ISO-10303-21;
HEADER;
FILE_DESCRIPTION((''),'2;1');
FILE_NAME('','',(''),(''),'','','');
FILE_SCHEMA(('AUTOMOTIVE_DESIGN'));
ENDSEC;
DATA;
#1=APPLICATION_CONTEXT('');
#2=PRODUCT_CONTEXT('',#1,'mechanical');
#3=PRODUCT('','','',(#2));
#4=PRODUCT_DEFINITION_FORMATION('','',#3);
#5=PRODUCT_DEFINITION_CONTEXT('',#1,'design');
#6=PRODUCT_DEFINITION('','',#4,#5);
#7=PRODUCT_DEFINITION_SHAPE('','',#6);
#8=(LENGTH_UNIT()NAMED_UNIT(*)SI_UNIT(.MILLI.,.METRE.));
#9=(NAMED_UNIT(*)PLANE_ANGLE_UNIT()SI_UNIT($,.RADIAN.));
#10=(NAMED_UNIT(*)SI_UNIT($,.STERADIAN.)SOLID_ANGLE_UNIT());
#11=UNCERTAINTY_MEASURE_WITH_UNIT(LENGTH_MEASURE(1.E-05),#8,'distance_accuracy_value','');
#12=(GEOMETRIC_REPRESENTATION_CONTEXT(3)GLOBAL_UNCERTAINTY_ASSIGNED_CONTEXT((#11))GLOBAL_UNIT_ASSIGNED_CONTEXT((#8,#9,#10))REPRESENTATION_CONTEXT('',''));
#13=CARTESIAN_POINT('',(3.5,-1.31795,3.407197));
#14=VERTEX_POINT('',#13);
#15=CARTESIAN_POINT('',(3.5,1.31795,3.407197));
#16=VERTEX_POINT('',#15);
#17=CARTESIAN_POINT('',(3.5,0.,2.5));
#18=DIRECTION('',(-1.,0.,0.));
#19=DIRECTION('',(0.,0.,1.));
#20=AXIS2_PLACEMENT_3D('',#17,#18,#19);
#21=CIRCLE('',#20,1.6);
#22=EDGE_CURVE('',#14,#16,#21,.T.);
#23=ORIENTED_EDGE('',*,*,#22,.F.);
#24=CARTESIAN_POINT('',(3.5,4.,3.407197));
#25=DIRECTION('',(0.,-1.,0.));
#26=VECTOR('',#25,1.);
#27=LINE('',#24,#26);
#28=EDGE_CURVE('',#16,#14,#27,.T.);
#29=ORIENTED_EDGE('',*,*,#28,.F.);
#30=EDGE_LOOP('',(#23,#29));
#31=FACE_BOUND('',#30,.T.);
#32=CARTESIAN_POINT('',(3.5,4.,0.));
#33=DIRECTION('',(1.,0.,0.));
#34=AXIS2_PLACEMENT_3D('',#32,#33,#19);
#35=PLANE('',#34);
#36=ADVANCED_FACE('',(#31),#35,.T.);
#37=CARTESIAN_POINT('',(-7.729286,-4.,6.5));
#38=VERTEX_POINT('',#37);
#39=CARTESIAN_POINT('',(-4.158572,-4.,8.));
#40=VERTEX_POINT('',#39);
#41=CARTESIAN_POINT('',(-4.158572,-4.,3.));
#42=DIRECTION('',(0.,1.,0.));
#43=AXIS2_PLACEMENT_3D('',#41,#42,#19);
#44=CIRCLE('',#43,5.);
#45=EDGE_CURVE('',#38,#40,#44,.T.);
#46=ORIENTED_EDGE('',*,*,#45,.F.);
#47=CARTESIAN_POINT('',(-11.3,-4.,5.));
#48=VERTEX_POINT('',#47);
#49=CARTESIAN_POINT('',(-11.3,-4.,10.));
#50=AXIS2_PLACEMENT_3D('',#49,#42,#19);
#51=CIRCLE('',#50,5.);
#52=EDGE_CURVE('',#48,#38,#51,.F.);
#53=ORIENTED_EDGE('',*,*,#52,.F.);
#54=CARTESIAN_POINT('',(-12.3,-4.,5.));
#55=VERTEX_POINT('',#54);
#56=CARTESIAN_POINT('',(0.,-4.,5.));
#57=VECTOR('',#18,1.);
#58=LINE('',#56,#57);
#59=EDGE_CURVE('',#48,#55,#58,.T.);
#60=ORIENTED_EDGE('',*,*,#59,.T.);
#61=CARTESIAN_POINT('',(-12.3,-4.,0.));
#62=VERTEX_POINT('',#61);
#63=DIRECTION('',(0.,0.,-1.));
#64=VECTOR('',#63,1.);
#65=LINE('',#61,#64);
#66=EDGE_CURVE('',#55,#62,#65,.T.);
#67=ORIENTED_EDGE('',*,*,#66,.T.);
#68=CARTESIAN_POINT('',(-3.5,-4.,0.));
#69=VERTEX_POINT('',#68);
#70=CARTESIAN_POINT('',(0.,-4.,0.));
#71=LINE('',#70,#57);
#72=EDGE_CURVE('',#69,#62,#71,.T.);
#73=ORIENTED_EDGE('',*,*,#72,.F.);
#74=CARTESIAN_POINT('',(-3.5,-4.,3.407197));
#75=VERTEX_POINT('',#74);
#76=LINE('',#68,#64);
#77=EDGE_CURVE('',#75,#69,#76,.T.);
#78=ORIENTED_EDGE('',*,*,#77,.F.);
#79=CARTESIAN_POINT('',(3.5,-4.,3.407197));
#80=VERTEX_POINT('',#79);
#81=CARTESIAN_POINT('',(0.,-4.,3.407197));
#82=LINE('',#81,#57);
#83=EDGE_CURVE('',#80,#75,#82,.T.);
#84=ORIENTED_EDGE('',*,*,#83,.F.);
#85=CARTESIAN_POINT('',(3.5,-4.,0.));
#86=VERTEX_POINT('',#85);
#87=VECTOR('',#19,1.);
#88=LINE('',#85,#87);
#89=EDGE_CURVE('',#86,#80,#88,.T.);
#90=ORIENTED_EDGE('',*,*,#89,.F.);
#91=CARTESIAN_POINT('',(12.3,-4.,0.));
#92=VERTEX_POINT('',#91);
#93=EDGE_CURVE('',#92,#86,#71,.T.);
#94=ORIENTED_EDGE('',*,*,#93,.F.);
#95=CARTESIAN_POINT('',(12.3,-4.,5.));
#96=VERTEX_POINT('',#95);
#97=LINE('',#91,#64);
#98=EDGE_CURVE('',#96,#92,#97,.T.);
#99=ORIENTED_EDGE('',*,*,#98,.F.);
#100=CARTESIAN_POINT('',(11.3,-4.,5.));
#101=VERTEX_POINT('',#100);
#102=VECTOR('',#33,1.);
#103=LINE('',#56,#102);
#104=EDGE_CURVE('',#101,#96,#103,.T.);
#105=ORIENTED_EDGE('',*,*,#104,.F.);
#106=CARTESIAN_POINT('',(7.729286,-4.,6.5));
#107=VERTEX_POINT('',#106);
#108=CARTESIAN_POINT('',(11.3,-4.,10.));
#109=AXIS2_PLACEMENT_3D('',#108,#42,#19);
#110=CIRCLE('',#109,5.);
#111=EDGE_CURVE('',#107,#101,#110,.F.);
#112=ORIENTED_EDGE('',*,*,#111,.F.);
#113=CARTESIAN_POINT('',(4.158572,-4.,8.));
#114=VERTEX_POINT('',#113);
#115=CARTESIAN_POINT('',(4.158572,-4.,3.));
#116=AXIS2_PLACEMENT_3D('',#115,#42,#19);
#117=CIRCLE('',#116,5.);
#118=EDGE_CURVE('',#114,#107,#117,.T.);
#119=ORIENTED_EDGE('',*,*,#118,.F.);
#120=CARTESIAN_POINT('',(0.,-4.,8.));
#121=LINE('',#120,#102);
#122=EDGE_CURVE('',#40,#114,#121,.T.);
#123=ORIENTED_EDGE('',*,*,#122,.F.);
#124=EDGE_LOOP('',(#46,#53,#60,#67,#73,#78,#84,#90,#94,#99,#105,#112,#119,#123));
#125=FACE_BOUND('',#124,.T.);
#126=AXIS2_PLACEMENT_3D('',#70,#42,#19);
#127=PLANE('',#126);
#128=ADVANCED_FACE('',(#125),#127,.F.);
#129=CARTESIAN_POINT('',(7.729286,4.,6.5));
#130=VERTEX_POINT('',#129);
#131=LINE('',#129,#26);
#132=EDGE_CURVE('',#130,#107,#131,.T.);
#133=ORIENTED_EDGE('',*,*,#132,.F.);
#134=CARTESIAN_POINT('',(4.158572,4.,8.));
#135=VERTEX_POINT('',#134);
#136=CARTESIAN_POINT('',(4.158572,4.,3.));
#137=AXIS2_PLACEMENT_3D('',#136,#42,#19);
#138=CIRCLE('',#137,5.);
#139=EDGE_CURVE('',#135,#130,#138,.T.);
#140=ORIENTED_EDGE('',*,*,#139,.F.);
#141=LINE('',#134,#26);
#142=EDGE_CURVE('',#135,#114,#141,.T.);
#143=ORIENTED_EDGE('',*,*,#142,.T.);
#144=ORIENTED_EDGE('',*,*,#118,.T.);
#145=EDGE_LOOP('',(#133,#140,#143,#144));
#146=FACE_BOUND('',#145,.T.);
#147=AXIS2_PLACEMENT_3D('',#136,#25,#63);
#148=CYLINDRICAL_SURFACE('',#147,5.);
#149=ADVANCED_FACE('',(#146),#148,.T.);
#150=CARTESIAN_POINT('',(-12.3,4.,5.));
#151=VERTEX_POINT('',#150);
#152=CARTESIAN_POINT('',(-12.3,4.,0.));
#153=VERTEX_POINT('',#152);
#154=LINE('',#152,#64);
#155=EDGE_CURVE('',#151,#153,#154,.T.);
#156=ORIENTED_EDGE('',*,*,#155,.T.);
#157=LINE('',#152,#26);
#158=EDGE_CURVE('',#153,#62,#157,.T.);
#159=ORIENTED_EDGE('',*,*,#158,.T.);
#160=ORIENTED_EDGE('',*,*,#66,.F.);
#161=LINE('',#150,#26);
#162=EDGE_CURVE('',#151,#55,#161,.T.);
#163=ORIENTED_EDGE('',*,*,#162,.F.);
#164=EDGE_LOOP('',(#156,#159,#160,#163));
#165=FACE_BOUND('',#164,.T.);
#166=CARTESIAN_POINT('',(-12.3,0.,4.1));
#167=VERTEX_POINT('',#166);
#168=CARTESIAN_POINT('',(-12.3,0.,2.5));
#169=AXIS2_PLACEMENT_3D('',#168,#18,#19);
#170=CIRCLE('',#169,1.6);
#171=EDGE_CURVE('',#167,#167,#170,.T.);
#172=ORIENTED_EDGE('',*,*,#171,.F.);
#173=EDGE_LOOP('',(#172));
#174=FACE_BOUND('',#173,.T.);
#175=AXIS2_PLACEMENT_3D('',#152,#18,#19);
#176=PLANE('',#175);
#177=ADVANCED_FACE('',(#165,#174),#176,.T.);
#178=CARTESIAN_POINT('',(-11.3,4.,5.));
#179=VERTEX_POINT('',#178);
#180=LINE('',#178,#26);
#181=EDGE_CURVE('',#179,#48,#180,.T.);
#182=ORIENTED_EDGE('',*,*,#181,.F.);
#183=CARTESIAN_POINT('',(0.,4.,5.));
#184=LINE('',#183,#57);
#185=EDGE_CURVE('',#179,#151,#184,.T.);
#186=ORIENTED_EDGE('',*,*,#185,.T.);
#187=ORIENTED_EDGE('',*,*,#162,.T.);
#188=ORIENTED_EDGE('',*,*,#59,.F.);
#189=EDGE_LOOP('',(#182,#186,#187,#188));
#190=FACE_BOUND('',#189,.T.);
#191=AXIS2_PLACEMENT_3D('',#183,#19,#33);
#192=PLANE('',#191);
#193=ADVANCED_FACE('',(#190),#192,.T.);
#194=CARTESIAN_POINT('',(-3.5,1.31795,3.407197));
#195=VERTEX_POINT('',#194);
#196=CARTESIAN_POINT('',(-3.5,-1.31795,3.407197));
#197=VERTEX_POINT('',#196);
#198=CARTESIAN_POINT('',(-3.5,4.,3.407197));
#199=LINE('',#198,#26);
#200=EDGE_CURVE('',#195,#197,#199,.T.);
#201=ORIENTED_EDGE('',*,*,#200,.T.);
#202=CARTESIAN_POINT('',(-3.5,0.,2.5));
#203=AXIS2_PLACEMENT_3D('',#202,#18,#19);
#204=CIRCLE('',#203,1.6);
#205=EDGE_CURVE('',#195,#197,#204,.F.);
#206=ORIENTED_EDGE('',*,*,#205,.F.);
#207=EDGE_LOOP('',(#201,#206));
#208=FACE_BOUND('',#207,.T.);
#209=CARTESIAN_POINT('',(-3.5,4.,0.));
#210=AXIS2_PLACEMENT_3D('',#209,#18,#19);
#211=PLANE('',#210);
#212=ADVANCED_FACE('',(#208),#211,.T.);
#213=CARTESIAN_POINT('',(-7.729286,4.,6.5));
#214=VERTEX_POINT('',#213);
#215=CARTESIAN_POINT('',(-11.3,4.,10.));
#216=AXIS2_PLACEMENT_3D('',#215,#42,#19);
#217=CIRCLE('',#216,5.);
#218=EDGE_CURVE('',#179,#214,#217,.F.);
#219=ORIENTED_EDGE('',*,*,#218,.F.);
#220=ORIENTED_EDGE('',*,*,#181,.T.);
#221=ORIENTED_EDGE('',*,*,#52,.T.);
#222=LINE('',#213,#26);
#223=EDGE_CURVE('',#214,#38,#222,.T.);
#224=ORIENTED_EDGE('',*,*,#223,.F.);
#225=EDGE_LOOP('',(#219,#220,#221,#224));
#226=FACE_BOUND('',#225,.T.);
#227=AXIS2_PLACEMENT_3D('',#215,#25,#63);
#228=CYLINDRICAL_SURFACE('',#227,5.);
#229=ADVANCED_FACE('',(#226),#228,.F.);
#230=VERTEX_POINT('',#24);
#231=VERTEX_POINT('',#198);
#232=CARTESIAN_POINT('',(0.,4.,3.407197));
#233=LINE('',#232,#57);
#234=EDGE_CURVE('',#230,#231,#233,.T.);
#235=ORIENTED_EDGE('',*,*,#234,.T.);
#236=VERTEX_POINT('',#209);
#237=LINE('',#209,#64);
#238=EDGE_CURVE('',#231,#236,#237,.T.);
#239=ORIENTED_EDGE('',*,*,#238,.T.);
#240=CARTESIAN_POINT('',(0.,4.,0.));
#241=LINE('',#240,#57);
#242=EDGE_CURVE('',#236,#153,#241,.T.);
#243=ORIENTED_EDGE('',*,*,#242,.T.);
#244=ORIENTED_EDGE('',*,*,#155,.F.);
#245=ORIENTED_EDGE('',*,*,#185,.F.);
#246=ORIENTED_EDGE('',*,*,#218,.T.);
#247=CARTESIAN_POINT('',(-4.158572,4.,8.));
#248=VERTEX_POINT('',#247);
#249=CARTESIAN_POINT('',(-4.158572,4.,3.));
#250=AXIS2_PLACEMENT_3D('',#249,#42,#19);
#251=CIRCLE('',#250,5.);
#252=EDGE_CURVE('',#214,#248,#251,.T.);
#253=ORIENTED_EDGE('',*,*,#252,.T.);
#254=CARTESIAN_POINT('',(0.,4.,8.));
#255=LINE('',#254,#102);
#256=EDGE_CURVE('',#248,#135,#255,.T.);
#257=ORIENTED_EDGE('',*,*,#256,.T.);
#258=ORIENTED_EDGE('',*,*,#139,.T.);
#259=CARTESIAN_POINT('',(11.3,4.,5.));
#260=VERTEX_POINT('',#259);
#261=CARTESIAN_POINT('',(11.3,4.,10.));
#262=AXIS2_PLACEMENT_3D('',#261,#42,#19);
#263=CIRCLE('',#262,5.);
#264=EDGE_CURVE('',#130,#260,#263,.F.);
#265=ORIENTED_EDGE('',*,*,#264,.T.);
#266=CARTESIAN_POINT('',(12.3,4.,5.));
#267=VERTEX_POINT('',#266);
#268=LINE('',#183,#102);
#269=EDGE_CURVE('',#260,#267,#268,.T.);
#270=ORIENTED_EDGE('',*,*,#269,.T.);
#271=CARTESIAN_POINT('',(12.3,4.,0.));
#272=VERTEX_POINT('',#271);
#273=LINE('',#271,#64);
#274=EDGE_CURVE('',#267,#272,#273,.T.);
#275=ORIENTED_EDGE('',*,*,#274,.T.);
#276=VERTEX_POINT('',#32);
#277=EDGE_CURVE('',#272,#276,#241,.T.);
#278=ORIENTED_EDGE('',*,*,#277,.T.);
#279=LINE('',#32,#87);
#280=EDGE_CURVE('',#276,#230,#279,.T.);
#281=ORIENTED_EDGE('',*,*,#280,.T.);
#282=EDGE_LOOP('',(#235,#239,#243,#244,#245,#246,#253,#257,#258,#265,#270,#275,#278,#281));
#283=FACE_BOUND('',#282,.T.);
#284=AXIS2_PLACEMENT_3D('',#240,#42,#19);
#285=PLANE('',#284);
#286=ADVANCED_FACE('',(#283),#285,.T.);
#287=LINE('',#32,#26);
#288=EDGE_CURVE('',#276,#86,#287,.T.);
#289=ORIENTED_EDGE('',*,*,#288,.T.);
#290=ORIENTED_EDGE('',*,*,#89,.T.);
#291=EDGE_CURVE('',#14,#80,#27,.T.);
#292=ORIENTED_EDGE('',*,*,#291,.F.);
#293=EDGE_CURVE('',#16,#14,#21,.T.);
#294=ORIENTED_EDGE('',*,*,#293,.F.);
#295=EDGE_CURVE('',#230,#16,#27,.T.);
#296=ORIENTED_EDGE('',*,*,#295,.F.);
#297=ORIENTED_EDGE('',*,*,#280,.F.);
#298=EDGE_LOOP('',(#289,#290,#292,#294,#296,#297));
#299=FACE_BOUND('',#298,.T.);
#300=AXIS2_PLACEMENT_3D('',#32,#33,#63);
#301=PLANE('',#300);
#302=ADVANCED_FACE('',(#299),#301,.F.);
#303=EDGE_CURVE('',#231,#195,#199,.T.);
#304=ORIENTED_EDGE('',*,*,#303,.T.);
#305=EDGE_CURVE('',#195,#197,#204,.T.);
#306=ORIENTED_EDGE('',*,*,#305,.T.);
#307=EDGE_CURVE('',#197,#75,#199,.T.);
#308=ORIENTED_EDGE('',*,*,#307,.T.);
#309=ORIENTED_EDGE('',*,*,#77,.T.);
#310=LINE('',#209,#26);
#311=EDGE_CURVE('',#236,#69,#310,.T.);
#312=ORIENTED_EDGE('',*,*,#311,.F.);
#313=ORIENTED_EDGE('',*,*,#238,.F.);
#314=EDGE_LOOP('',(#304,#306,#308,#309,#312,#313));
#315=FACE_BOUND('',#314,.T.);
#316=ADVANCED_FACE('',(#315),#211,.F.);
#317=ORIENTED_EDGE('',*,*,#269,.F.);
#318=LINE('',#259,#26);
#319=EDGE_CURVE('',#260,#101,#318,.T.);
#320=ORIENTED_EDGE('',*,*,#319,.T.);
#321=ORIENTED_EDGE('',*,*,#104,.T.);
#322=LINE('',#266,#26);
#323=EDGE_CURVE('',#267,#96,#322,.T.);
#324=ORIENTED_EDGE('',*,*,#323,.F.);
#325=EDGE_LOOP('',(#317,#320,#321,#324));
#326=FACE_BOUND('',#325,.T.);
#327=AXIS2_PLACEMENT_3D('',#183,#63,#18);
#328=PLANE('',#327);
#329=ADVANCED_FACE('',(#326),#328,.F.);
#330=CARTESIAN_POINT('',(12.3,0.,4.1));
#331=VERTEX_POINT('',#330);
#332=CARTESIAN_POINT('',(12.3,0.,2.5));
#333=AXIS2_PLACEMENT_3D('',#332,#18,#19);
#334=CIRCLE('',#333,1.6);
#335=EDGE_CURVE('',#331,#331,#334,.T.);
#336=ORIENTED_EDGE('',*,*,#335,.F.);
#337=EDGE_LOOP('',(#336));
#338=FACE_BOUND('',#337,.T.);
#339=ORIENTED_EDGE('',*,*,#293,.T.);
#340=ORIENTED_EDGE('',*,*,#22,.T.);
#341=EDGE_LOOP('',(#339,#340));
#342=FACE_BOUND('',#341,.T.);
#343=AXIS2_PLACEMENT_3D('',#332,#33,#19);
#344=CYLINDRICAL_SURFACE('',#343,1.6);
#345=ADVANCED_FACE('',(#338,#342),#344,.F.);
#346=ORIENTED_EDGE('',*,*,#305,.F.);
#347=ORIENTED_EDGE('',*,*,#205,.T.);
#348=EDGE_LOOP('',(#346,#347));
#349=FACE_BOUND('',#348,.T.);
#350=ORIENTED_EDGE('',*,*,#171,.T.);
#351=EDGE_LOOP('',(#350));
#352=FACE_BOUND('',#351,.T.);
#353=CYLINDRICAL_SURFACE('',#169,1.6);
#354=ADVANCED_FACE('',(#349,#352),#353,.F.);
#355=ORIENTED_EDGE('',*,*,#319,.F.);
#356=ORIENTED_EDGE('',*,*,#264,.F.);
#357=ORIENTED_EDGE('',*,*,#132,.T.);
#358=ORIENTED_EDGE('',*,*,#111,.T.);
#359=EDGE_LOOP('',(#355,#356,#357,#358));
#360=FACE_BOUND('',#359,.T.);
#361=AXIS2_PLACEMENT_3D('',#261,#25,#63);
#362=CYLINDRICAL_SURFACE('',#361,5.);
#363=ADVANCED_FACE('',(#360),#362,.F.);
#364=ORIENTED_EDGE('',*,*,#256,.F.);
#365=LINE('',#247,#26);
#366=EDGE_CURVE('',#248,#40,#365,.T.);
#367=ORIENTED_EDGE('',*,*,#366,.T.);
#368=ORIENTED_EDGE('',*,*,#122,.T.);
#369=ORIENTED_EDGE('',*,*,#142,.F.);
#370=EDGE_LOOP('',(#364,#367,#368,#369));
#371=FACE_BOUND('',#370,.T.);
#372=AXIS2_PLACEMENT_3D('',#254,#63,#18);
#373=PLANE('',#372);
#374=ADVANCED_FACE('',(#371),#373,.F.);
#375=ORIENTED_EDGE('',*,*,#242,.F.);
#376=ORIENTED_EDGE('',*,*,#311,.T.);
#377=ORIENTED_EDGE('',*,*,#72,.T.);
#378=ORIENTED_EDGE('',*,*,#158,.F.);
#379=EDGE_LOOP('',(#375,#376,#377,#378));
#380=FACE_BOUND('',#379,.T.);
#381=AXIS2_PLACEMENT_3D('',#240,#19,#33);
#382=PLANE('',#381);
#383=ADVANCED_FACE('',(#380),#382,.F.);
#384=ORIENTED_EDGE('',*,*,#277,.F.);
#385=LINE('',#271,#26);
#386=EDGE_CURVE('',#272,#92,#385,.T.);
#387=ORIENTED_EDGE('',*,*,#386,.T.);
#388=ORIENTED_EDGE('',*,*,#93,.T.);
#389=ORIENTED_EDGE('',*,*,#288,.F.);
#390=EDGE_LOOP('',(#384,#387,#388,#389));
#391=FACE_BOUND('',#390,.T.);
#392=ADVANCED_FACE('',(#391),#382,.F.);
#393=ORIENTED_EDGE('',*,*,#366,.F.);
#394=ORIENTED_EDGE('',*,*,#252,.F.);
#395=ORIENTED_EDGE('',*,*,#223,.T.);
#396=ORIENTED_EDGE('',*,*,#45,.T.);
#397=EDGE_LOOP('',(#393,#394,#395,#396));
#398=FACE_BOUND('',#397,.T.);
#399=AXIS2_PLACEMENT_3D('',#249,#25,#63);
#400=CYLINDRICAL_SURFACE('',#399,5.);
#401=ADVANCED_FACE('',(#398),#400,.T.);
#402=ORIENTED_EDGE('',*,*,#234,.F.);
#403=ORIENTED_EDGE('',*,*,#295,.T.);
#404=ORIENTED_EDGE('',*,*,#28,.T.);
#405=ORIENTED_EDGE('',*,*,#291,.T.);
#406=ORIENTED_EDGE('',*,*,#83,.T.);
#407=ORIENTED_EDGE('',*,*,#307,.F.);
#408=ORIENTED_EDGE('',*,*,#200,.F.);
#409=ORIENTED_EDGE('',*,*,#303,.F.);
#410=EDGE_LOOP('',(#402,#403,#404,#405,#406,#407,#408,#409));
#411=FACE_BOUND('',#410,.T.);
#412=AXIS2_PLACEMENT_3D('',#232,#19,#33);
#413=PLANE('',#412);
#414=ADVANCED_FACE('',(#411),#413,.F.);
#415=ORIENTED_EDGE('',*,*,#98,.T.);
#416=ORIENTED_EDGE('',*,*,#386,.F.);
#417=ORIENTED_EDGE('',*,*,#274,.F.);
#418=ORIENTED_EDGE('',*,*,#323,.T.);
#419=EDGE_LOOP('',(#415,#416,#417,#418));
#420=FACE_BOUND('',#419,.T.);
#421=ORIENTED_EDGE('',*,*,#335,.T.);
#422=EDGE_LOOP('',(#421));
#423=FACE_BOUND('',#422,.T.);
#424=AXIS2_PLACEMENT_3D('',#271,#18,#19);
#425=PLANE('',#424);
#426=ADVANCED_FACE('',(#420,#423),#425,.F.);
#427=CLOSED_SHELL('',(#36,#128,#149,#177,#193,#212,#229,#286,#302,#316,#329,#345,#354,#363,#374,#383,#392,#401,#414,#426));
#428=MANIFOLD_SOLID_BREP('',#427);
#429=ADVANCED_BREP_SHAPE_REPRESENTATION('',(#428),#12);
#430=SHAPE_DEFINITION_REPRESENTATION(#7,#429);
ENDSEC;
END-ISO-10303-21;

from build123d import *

# Parameters (mm, degrees)
BOSS_EXTRUDE1_START      = -4
BOSS_EXTRUDE1_DEPTH      = 8
M3_CLEARANCE_HOLE1_D     = 3.2
M3_CLEARANCE_HOLE1_DEPTH = 8.8


with BuildPart() as part:
    # Sketch2 → Boss-Extrude1 (new body)
    with BuildSketch(Plane(origin=(0, 0, 0), x_dir=(1, 0, 0), z_dir=(0, 1, 0)).offset(BOSS_EXTRUDE1_START)):
        with BuildLine():
            ThreePointArc((-7.729285786, -6.5), (-6.095063245, -7.609772229), (-4.158571571, -8))
            Line((-4.158571571, -8), (4.158571571, -8))
            ThreePointArc((4.158571571, -8), (6.095063245, -7.609772229), (7.729285786, -6.5))
            ThreePointArc((7.729285786, -6.5), (9.363508327, -5.390227771), (11.3, -5))
            Line((11.3, -5), (12.3, -5))
            Line((12.3, -5), (12.3, 0))
            Line((12.3, 0), (11.3, 0))
            Line((11.3, 0), (3.5, 0))
            Line((3.5, 0), (3.5, -3.407197308))
            Line((3.5, -3.407197308), (-3.5, -3.407197308))
            Line((-3.5, -3.407197308), (-3.5, 0))
            Line((-3.5, 0), (-11.3, 0))
            Line((-11.3, 0), (-12.3, 0))
            Line((-12.3, 0), (-12.3, -5))
            Line((-12.3, -5), (-11.3, -5))
            ThreePointArc((-11.3, -5), (-9.363508327, -5.390227771), (-7.729285786, -6.5))
        make_face()
    extrude(amount=BOSS_EXTRUDE1_DEPTH)

    # M3 Clearance Hole1
    with Locations(Plane.ZY.offset(12.3)):
        with Locations((2.5, 0)):
            m3_clearance_hole1 = Hole(M3_CLEARANCE_HOLE1_D / 2, depth=M3_CLEARANCE_HOLE1_DEPTH)

    # Mirror1: M3 Clearance Hole1 across plane
    add(m3_clearance_hole1.mirror(Plane(origin=(0, 0, 0), x_dir=(0, 0, 1), z_dir=(1, 0, 0))), mode=Mode.SUBTRACT)


solid = part.part
